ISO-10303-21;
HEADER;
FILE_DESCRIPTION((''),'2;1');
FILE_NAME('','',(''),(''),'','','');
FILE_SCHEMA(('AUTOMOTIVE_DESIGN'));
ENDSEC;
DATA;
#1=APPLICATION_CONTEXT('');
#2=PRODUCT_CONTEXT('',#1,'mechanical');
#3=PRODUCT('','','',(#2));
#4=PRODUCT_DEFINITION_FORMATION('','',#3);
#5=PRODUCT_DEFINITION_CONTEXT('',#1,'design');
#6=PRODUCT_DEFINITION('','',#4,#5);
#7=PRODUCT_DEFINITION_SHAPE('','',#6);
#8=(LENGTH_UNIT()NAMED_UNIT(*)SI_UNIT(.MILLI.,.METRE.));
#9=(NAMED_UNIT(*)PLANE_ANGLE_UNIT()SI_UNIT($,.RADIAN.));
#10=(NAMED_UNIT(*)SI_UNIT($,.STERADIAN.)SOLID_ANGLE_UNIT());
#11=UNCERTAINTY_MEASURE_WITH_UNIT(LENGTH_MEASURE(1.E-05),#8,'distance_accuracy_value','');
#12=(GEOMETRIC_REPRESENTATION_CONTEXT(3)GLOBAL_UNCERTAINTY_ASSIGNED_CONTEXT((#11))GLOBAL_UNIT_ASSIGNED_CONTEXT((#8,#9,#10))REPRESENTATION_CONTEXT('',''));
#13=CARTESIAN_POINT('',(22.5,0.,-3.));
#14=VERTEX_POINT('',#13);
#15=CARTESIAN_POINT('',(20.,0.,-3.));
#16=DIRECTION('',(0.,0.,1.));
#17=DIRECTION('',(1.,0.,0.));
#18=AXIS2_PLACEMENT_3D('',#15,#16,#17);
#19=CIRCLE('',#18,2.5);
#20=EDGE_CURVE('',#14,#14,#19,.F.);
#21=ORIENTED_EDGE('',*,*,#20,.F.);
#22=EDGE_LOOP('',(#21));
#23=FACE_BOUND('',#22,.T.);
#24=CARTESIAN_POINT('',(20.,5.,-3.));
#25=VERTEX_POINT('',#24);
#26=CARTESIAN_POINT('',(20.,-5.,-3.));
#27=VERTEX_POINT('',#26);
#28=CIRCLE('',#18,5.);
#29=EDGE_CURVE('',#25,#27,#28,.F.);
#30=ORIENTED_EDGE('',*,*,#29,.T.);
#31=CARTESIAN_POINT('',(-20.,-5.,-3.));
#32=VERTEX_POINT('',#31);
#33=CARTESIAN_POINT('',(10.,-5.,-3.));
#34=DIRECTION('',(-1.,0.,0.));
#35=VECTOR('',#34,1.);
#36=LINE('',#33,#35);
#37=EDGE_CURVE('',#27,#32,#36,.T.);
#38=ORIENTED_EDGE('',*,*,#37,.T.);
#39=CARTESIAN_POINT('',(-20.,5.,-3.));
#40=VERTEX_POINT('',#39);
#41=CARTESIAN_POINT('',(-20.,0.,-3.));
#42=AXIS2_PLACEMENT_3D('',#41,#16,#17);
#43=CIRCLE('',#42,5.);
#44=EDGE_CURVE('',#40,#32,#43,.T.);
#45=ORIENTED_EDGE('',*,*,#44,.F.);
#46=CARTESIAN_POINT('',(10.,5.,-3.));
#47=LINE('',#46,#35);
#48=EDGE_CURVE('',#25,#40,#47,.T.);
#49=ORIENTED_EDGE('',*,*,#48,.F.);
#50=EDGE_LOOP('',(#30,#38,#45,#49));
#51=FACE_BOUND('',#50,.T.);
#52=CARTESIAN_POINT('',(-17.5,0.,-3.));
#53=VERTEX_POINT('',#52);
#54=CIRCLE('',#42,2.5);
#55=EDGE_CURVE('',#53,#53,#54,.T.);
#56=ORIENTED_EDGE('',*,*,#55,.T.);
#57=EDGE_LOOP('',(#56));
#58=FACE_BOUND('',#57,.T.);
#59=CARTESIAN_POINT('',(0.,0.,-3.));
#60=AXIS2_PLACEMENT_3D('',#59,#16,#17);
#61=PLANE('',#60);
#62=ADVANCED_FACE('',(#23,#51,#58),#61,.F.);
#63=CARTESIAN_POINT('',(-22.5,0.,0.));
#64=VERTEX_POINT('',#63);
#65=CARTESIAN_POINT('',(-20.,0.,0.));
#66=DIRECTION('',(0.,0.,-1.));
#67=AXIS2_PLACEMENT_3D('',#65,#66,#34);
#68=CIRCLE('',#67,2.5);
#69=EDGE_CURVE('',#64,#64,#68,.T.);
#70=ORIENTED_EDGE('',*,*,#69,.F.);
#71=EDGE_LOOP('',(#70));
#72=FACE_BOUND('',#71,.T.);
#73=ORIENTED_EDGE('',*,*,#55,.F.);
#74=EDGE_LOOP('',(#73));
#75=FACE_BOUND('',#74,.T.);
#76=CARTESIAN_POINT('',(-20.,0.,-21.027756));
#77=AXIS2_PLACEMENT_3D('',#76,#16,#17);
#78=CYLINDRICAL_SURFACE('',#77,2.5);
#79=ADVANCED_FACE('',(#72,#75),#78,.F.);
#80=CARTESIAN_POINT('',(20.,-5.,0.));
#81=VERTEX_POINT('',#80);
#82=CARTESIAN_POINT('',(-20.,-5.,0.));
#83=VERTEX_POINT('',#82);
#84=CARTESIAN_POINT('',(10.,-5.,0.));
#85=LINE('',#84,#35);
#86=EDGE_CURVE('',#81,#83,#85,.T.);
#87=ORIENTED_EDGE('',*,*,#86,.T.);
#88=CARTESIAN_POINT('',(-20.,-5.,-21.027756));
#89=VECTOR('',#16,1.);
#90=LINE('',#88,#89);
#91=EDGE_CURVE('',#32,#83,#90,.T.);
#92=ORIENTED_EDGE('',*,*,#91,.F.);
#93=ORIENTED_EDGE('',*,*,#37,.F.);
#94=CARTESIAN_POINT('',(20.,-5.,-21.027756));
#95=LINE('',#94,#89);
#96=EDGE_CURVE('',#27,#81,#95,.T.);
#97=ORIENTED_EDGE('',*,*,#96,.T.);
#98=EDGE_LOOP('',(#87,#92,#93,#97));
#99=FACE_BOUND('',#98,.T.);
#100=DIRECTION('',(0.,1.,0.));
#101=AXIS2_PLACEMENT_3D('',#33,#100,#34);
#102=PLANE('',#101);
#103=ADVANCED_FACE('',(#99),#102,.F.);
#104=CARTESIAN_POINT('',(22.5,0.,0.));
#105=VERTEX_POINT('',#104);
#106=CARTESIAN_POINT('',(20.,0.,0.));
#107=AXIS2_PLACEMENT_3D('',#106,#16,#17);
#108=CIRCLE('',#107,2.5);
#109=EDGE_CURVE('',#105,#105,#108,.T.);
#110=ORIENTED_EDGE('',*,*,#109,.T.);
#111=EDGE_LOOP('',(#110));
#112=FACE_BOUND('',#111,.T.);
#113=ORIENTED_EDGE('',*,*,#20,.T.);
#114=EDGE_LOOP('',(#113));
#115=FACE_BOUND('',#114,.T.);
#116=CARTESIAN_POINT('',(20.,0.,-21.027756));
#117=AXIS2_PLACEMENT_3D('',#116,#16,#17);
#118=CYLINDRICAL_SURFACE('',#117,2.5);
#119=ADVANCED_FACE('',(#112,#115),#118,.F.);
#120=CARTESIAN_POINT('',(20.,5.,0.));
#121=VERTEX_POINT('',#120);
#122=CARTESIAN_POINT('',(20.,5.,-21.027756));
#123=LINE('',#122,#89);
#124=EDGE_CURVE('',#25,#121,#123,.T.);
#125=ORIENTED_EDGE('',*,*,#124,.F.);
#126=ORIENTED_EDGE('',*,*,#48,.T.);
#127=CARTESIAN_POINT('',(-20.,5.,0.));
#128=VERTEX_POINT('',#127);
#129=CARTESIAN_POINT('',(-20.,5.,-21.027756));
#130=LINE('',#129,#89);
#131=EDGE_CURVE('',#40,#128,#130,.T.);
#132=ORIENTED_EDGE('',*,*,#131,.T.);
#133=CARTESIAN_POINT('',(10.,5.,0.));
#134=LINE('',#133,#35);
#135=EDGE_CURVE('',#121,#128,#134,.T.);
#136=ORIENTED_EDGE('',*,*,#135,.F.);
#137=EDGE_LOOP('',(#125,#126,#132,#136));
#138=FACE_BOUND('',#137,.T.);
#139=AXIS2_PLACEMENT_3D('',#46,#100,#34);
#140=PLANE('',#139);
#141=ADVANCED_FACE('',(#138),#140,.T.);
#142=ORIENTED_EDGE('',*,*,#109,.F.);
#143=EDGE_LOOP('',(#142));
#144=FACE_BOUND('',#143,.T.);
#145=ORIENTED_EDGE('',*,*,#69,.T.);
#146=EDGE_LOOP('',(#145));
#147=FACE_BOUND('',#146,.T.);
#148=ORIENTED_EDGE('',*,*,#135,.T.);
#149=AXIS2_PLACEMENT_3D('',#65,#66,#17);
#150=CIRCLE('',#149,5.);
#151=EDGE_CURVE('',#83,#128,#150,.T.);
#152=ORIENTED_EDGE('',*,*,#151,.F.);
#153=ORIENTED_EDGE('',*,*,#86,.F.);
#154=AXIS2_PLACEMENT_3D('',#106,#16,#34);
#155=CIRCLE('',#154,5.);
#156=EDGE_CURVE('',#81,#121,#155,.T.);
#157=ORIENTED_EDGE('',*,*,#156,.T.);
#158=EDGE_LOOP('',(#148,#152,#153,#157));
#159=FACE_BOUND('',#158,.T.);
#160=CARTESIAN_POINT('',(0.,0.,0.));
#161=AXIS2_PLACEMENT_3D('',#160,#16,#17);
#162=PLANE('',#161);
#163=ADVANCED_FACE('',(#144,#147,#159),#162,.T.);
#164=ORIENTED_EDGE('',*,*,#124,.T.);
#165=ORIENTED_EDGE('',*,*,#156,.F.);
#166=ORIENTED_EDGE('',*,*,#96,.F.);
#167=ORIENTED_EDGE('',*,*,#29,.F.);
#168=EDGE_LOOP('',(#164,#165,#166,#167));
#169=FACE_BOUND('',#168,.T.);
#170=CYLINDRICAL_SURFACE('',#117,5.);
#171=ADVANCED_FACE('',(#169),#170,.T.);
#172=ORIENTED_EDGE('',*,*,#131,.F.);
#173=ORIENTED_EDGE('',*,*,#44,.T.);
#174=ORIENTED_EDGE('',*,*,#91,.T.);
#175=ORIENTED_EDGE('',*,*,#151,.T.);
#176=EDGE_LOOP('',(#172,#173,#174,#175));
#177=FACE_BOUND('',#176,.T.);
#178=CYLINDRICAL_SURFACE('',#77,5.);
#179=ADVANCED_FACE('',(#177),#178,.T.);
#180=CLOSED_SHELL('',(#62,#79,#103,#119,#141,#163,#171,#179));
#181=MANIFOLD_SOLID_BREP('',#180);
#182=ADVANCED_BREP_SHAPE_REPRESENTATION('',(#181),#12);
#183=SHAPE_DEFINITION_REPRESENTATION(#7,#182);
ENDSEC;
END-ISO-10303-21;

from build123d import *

# Parameters (mm, degrees)
SKETCH19_W          = 20
SKETCH19_H          = 10
BOSS_EXTRUDE4_DEPTH = 3
SKETCH22_R          = 2.5
BOSS_EXTRUDE5_DEPTH = 3


with BuildPart() as part:
    # Sketch19 → Boss-Extrude4 (new body)
    with BuildSketch(Plane.XY):
        Rectangle(SKETCH19_W, SKETCH19_H)
    boss_extrude4 = extrude(amount=-BOSS_EXTRUDE4_DEPTH)

    # Sketch22 → Boss-Extrude5 (add)
    with BuildSketch(Plane.XY):
        with BuildLine():
            Line((10, 5), (20, 5))
            ThreePointArc((20, 5), (25, 0), (20, -5))
            Line((20, -5), (10, -5))
            Line((10, -5), (10, 5))
        make_face()
        with Locations((20, 0)):
            Circle(SKETCH22_R, mode=Mode.SUBTRACT)
    boss_extrude5 = extrude(amount=-BOSS_EXTRUDE5_DEPTH)

    # Mirror2: Boss-Extrude4, Boss-Extrude5 across plane
    add(boss_extrude4.mirror(Plane.ZY))
    add(boss_extrude5.mirror(Plane.ZY))


solid = part.part
